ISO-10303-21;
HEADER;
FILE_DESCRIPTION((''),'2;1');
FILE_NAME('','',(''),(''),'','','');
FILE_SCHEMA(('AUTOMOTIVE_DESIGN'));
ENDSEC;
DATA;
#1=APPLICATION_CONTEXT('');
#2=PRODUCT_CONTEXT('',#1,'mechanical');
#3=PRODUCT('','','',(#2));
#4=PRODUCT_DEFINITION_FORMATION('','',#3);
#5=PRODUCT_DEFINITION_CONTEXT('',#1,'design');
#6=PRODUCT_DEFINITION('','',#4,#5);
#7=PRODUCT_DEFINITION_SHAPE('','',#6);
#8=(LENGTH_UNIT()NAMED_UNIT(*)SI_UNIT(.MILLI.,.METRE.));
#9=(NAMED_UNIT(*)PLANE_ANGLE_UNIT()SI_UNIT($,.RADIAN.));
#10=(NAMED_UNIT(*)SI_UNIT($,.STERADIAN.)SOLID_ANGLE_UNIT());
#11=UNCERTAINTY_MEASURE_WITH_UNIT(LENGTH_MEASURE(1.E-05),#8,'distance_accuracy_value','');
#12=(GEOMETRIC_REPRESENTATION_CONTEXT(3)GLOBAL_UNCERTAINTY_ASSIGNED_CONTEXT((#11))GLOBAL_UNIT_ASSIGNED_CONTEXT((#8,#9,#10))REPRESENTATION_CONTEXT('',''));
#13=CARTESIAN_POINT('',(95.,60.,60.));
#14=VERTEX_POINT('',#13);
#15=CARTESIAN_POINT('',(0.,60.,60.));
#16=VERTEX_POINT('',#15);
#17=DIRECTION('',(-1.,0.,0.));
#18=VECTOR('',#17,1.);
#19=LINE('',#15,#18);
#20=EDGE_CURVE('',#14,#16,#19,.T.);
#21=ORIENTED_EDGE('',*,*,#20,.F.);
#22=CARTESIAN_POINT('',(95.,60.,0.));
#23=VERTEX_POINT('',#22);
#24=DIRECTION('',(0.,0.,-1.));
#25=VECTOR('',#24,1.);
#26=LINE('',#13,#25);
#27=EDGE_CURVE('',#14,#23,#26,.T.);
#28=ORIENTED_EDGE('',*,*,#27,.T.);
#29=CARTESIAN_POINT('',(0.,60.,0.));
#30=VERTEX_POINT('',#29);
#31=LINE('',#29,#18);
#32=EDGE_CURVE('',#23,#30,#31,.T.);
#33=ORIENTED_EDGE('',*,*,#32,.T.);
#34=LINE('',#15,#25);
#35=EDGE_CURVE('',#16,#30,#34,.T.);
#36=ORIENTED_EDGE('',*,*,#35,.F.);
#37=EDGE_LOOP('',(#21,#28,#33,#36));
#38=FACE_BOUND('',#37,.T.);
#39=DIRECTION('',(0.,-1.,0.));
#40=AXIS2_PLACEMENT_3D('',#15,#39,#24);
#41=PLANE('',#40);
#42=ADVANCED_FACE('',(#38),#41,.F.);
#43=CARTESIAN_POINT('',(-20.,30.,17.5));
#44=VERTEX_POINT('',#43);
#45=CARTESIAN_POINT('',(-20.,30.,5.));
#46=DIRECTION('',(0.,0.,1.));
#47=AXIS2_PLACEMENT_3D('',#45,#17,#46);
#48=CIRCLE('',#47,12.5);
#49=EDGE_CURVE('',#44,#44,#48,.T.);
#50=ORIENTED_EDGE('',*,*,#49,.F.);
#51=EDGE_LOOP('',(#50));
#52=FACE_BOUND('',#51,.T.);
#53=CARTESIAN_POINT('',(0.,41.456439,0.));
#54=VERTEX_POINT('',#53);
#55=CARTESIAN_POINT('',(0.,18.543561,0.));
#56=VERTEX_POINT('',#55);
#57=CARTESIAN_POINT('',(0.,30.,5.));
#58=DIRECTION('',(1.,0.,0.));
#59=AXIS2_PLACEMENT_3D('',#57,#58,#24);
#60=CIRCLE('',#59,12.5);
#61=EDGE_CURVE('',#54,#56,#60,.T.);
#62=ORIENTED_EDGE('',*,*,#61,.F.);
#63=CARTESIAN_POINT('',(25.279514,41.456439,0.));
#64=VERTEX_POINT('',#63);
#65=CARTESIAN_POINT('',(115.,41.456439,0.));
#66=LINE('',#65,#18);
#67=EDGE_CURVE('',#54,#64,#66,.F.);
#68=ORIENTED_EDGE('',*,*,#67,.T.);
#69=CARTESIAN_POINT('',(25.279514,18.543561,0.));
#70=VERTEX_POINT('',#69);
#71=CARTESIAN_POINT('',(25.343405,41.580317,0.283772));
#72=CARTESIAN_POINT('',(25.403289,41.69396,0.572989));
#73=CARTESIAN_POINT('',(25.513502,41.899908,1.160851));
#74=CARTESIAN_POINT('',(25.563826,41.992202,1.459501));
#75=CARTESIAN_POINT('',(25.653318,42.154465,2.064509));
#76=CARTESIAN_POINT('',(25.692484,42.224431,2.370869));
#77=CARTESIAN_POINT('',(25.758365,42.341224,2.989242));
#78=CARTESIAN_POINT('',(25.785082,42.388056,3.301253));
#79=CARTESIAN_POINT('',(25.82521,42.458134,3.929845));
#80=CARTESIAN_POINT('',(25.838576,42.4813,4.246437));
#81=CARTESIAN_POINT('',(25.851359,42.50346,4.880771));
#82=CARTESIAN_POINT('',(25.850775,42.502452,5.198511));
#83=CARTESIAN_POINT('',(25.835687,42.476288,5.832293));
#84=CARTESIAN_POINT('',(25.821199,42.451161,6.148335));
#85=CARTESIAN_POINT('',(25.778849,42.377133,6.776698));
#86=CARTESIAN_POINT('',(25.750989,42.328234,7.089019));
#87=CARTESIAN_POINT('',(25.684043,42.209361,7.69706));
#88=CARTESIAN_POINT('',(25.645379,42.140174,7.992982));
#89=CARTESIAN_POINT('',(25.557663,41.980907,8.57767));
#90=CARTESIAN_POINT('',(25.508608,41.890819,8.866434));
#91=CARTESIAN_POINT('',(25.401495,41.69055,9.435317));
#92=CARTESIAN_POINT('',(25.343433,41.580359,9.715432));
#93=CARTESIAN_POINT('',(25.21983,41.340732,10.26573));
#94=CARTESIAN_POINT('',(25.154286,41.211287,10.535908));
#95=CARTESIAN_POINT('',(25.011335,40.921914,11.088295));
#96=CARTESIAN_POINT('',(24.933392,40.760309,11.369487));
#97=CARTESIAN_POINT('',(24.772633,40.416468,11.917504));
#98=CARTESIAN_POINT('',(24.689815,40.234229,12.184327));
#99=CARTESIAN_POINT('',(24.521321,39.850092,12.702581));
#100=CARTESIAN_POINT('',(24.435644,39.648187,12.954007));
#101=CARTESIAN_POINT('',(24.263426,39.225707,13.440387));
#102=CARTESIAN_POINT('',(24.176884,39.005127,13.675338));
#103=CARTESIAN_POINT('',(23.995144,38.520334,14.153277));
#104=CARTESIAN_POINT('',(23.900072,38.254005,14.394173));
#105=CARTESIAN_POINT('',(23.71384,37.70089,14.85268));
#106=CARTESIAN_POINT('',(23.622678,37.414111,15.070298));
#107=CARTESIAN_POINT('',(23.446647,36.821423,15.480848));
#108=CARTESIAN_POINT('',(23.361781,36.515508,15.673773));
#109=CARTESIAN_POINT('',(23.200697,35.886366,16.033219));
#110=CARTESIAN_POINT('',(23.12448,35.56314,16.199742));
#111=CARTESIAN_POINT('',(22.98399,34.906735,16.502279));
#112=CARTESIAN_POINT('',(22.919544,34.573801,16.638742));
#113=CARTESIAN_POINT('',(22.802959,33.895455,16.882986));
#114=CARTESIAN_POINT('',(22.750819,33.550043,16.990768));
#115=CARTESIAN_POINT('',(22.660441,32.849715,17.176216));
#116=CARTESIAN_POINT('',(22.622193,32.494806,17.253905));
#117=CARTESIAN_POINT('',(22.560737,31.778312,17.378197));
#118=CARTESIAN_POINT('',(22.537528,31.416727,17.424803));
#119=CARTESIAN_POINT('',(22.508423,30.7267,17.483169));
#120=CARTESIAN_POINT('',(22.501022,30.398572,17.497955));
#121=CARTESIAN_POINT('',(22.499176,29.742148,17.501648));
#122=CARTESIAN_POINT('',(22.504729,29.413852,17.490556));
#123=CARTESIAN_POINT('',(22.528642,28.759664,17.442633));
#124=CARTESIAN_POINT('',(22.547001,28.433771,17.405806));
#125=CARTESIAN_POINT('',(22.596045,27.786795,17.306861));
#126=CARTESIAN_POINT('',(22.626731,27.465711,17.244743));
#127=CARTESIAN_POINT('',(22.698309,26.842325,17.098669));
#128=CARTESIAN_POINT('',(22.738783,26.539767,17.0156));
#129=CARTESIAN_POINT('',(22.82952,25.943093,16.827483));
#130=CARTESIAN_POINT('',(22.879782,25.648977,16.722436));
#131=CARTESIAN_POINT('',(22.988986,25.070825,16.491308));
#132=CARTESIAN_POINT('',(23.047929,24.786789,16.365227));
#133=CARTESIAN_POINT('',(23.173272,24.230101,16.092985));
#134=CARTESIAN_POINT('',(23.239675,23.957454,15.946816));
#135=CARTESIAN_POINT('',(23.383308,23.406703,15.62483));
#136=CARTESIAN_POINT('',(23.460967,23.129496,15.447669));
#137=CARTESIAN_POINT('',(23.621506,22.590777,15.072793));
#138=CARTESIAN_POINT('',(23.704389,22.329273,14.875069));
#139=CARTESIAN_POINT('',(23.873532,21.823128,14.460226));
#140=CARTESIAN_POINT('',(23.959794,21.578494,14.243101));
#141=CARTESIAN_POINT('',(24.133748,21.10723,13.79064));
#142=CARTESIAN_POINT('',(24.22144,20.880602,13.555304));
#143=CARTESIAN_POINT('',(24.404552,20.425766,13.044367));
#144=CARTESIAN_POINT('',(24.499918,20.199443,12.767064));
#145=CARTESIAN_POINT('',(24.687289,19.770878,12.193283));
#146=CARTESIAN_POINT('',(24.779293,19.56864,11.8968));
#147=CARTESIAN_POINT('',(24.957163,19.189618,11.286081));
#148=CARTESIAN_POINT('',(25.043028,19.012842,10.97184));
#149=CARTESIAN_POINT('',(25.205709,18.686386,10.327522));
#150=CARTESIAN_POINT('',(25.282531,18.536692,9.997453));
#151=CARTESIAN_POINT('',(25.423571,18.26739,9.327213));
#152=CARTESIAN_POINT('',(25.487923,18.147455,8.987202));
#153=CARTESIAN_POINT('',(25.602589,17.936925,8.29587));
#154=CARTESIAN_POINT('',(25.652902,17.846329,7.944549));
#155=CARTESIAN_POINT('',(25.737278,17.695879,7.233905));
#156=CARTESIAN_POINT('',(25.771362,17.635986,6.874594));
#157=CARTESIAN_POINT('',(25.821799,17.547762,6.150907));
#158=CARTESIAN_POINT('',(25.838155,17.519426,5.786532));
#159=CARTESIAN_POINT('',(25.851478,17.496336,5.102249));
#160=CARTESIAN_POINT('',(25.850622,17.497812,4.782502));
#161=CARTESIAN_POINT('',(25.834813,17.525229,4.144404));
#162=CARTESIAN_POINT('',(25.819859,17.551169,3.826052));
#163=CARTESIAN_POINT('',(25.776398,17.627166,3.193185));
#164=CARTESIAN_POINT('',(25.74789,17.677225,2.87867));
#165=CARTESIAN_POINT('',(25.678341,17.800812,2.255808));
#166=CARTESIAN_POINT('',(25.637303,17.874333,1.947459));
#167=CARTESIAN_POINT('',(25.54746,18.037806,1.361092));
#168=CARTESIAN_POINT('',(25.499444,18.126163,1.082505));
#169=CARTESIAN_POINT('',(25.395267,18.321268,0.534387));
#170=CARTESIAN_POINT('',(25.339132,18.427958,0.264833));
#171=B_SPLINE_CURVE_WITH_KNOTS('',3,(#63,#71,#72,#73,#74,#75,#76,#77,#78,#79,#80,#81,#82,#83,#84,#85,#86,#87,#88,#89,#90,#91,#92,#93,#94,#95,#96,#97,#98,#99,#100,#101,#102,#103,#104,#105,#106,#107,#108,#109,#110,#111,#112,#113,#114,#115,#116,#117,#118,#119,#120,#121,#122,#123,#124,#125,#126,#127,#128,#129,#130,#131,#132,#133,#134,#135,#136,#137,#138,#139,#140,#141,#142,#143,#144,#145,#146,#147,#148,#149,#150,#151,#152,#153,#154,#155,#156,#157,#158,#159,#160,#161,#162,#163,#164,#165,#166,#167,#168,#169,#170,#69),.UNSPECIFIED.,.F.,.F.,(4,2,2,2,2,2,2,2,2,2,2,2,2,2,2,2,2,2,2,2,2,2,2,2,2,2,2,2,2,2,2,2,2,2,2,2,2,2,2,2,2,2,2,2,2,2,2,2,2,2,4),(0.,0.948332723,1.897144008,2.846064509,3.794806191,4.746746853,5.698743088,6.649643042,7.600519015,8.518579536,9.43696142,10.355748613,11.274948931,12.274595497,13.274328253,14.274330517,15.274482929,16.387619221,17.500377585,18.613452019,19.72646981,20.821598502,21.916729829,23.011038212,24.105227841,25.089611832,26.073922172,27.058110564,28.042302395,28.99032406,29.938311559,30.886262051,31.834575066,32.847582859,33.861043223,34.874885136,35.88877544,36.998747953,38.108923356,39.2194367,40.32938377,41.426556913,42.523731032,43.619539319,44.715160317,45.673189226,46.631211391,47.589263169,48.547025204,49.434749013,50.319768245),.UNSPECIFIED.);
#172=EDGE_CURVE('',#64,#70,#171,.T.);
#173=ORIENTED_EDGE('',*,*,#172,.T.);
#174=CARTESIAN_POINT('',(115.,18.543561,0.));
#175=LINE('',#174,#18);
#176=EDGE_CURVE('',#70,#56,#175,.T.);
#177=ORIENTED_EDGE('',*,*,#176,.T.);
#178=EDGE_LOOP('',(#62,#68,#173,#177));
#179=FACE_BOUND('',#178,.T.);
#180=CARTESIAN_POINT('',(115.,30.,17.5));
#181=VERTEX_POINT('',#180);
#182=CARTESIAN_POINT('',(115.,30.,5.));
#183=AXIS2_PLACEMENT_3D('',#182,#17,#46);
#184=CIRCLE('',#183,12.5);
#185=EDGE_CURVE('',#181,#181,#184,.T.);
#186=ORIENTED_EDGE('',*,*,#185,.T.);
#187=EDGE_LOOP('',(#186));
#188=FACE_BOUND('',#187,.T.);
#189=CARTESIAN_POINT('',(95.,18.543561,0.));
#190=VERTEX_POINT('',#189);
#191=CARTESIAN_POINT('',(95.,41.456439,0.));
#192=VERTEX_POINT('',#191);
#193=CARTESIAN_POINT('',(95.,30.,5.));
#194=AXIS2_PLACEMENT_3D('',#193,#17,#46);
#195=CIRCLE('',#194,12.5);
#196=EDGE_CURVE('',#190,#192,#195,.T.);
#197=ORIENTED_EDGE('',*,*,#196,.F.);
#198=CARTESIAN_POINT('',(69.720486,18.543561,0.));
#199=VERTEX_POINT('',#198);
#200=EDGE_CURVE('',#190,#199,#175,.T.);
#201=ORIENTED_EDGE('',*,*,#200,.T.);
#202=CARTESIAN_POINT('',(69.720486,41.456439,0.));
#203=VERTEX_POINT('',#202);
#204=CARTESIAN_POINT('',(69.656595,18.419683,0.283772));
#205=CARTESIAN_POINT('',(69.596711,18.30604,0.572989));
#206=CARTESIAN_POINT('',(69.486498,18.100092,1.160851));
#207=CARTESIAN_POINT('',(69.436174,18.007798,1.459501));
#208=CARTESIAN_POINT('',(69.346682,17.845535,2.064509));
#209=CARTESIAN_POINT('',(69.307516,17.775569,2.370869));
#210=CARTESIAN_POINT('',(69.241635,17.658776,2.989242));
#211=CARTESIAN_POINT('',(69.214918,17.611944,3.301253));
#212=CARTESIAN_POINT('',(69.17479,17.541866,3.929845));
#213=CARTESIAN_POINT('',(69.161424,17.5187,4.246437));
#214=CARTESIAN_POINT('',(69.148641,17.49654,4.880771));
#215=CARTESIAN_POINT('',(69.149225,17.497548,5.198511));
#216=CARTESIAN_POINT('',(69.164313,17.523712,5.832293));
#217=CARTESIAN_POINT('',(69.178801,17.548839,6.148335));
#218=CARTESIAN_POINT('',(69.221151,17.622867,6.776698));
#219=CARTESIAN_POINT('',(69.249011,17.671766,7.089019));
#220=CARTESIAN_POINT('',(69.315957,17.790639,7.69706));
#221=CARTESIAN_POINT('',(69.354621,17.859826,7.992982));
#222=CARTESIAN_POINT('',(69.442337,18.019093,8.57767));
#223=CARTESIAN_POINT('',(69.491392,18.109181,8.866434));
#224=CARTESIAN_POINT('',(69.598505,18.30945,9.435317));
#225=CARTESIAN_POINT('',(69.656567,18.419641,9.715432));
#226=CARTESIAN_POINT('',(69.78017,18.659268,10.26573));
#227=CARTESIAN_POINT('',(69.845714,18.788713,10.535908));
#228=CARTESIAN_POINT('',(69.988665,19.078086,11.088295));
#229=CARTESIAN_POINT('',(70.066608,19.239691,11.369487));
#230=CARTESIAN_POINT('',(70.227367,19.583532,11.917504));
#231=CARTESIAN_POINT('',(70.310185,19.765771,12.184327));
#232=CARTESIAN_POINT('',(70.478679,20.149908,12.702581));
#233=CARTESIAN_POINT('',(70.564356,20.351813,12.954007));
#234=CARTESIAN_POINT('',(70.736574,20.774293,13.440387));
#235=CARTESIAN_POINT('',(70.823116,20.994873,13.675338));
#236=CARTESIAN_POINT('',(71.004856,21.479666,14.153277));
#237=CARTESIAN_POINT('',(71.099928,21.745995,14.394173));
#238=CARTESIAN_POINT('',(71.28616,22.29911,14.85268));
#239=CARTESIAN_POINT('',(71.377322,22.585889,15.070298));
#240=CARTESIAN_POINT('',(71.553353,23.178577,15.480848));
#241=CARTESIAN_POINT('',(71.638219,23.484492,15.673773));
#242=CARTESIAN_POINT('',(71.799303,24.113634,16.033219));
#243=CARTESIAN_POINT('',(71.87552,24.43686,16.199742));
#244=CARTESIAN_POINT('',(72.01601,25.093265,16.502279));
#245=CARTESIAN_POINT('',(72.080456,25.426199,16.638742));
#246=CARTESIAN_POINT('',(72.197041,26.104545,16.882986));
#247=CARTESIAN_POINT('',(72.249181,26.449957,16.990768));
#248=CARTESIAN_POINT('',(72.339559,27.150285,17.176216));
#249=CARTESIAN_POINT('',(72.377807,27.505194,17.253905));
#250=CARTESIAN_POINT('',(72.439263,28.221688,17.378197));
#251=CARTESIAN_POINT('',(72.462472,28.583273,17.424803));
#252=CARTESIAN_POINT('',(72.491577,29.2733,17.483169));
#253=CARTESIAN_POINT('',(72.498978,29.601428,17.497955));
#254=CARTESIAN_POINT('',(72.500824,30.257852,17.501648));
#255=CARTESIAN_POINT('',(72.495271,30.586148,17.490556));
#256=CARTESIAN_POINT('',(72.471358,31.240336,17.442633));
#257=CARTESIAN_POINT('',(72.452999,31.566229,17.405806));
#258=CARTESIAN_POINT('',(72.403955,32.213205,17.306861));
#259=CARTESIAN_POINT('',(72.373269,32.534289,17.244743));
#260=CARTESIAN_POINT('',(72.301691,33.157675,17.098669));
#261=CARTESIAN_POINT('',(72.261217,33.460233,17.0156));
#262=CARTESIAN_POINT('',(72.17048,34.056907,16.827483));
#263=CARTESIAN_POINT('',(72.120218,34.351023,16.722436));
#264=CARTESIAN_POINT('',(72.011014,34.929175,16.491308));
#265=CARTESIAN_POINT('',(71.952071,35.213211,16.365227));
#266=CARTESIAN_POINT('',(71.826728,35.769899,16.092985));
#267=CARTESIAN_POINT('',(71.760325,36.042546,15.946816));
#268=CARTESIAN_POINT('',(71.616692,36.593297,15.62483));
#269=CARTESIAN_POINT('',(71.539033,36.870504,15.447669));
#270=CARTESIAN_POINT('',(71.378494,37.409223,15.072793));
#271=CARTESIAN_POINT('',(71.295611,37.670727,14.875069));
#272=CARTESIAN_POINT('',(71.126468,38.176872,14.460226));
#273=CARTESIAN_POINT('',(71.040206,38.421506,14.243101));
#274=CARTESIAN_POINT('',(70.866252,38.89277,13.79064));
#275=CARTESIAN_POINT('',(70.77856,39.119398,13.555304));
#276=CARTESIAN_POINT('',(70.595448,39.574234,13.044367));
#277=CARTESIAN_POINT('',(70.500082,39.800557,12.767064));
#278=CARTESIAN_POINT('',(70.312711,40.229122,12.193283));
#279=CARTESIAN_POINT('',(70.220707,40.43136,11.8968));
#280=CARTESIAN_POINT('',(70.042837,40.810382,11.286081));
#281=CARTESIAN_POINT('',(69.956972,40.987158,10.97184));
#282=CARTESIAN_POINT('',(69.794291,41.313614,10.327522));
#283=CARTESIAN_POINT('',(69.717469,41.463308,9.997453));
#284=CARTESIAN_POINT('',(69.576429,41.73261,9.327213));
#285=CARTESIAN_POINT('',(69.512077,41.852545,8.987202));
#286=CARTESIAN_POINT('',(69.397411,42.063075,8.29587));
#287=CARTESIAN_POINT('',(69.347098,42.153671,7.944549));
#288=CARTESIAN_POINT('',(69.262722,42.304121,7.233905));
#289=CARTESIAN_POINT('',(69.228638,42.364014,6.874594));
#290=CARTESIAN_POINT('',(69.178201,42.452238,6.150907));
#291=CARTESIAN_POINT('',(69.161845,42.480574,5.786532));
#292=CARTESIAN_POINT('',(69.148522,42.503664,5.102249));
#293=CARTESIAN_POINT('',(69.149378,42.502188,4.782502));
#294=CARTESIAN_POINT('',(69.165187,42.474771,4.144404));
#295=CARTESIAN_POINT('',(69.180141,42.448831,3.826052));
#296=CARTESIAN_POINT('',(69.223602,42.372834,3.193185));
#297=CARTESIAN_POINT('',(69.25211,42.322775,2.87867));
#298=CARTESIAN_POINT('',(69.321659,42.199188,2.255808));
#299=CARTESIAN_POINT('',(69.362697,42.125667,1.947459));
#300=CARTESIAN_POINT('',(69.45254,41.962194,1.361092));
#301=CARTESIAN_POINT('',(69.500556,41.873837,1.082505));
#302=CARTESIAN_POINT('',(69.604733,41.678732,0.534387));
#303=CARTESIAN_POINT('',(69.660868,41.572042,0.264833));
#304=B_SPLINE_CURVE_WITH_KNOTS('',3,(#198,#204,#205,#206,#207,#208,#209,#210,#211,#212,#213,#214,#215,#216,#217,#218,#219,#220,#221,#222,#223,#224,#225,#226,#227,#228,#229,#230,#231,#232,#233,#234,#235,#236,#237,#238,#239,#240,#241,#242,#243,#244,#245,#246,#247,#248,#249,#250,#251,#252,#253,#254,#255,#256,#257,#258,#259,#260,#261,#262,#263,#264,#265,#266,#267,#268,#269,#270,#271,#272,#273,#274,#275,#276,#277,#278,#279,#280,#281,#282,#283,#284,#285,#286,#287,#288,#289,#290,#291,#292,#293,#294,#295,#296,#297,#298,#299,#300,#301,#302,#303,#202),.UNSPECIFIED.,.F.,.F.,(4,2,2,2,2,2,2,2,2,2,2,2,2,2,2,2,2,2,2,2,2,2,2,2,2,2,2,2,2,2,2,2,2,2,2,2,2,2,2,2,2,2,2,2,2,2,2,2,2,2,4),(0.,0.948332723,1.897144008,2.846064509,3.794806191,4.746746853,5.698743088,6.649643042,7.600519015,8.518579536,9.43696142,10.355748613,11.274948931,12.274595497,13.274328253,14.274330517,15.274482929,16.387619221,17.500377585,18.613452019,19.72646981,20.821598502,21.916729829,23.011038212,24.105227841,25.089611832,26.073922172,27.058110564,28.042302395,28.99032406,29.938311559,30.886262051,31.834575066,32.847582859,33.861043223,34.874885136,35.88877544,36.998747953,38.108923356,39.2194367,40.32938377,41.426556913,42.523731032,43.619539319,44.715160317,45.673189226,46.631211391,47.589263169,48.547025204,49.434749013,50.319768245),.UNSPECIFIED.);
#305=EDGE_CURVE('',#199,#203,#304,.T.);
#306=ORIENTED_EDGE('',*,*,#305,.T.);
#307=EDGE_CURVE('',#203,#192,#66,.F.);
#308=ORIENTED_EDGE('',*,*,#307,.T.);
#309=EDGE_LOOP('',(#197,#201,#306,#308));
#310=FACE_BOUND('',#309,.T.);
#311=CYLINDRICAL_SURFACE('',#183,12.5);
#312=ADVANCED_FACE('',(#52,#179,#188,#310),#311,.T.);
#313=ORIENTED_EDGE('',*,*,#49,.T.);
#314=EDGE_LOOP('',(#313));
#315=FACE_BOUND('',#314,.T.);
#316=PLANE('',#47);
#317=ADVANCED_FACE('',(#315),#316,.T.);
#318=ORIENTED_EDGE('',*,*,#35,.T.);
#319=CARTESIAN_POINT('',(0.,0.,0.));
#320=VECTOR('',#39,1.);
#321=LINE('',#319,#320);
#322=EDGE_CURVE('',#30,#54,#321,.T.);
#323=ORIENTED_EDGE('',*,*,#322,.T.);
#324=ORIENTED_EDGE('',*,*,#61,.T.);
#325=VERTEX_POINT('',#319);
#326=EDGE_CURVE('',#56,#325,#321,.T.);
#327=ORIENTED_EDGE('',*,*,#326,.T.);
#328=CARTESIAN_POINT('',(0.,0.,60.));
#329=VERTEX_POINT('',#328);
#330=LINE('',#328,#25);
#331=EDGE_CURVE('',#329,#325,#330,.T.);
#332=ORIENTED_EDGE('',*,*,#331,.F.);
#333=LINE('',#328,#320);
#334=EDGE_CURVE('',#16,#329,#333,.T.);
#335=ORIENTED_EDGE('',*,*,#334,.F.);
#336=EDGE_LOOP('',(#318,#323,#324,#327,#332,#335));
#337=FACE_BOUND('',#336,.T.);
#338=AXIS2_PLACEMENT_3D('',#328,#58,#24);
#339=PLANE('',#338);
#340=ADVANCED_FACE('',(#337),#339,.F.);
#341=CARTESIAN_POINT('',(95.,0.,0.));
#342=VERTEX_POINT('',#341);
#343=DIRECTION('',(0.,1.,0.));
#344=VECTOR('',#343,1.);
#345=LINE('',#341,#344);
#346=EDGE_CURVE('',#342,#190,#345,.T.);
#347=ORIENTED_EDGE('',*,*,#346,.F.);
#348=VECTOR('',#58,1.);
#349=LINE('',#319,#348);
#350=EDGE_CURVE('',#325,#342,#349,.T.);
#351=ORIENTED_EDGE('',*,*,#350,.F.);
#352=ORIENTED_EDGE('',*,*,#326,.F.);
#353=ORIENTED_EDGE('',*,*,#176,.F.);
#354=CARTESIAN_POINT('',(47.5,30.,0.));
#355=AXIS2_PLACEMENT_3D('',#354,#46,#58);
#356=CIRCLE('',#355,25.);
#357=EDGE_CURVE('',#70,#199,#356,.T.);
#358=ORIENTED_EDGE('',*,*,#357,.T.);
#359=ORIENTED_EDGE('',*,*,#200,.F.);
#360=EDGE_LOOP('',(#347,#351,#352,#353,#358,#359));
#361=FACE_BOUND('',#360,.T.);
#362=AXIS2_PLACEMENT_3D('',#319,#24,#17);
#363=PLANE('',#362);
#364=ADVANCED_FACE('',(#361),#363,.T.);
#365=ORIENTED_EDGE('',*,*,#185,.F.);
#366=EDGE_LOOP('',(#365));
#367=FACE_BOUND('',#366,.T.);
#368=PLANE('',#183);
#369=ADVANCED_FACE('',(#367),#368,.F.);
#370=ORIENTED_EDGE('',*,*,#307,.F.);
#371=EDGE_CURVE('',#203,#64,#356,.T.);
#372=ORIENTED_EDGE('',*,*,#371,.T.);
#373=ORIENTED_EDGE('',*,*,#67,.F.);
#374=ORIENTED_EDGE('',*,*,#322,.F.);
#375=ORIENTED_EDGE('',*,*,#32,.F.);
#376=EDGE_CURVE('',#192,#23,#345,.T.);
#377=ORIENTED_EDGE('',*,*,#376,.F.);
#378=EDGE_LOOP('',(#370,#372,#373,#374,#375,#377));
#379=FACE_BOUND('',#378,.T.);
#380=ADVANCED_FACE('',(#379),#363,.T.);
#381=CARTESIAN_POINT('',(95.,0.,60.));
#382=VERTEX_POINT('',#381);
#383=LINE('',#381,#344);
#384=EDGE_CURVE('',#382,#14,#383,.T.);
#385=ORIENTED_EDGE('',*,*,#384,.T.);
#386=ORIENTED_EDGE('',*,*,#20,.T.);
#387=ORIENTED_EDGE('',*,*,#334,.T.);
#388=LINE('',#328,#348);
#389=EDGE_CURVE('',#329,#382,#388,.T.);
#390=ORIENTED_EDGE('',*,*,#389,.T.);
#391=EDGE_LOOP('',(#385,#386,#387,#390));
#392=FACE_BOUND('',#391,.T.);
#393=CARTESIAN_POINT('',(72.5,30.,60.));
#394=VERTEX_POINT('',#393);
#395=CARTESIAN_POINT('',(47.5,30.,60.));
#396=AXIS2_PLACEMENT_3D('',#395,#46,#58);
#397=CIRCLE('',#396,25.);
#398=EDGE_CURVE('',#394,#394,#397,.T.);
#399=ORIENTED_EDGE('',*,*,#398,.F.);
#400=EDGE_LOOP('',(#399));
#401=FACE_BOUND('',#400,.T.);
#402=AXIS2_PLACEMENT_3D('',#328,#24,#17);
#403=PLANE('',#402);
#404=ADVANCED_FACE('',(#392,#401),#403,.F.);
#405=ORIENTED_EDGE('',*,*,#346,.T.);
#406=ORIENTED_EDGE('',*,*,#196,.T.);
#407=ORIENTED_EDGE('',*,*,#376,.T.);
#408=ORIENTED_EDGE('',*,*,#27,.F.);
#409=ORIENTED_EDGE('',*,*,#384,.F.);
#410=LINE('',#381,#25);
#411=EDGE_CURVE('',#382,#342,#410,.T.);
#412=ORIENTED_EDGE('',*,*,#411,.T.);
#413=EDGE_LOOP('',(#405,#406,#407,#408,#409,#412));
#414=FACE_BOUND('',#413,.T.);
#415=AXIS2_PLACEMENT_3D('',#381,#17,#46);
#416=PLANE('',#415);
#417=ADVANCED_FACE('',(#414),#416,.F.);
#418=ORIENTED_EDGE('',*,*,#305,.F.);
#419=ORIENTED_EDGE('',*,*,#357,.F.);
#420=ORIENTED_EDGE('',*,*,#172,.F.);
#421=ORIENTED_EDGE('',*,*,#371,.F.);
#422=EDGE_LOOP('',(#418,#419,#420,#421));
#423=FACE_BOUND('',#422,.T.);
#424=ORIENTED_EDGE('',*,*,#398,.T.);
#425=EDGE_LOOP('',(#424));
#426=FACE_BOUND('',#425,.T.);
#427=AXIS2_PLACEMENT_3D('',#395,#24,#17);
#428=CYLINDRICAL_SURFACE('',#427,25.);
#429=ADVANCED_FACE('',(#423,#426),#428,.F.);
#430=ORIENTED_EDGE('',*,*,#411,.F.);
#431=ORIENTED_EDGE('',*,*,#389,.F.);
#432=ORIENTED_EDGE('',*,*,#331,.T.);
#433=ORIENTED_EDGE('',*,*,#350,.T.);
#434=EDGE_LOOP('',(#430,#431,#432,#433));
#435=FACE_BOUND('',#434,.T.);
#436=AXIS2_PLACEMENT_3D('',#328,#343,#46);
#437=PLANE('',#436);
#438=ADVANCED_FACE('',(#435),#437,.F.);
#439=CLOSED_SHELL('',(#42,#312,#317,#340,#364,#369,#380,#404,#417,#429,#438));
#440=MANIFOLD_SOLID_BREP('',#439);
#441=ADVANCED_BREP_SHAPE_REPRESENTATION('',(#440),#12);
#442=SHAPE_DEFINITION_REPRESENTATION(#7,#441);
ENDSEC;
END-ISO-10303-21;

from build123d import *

# Parameters (mm, degrees)
SKETCH1_W                = 95
SKETCH1_H                = 60
SKETCH1_R                = 25
BOSS_EXTRUDE1_DEPTH      = 60
SKETCH2_R                = 12.5
BOSS_EXTRUDE2_DEPTH      = 20
BOSS_EXTRUDE2_DEPTH_BACK = 115


with BuildPart() as part:
    # Sketch1 → Boss-Extrude1 (new body)
    with BuildSketch(Plane.XY):
        with Locations((47.5, 30)):
            Rectangle(SKETCH1_W, SKETCH1_H)
        with Locations((47.5, 30)):
            Circle(SKETCH1_R, mode=Mode.SUBTRACT)
    extrude(amount=BOSS_EXTRUDE1_DEPTH)

    # Sketch2 → Boss-Extrude2 (add, two sides)
    with BuildSketch(Plane.ZY) as boss_extrude2_sk:
        with Locations((5, 30)):
            Circle(SKETCH2_R)
    extrude(amount=BOSS_EXTRUDE2_DEPTH)
    extrude(boss_extrude2_sk.sketch, amount=-BOSS_EXTRUDE2_DEPTH_BACK)


solid = part.part
